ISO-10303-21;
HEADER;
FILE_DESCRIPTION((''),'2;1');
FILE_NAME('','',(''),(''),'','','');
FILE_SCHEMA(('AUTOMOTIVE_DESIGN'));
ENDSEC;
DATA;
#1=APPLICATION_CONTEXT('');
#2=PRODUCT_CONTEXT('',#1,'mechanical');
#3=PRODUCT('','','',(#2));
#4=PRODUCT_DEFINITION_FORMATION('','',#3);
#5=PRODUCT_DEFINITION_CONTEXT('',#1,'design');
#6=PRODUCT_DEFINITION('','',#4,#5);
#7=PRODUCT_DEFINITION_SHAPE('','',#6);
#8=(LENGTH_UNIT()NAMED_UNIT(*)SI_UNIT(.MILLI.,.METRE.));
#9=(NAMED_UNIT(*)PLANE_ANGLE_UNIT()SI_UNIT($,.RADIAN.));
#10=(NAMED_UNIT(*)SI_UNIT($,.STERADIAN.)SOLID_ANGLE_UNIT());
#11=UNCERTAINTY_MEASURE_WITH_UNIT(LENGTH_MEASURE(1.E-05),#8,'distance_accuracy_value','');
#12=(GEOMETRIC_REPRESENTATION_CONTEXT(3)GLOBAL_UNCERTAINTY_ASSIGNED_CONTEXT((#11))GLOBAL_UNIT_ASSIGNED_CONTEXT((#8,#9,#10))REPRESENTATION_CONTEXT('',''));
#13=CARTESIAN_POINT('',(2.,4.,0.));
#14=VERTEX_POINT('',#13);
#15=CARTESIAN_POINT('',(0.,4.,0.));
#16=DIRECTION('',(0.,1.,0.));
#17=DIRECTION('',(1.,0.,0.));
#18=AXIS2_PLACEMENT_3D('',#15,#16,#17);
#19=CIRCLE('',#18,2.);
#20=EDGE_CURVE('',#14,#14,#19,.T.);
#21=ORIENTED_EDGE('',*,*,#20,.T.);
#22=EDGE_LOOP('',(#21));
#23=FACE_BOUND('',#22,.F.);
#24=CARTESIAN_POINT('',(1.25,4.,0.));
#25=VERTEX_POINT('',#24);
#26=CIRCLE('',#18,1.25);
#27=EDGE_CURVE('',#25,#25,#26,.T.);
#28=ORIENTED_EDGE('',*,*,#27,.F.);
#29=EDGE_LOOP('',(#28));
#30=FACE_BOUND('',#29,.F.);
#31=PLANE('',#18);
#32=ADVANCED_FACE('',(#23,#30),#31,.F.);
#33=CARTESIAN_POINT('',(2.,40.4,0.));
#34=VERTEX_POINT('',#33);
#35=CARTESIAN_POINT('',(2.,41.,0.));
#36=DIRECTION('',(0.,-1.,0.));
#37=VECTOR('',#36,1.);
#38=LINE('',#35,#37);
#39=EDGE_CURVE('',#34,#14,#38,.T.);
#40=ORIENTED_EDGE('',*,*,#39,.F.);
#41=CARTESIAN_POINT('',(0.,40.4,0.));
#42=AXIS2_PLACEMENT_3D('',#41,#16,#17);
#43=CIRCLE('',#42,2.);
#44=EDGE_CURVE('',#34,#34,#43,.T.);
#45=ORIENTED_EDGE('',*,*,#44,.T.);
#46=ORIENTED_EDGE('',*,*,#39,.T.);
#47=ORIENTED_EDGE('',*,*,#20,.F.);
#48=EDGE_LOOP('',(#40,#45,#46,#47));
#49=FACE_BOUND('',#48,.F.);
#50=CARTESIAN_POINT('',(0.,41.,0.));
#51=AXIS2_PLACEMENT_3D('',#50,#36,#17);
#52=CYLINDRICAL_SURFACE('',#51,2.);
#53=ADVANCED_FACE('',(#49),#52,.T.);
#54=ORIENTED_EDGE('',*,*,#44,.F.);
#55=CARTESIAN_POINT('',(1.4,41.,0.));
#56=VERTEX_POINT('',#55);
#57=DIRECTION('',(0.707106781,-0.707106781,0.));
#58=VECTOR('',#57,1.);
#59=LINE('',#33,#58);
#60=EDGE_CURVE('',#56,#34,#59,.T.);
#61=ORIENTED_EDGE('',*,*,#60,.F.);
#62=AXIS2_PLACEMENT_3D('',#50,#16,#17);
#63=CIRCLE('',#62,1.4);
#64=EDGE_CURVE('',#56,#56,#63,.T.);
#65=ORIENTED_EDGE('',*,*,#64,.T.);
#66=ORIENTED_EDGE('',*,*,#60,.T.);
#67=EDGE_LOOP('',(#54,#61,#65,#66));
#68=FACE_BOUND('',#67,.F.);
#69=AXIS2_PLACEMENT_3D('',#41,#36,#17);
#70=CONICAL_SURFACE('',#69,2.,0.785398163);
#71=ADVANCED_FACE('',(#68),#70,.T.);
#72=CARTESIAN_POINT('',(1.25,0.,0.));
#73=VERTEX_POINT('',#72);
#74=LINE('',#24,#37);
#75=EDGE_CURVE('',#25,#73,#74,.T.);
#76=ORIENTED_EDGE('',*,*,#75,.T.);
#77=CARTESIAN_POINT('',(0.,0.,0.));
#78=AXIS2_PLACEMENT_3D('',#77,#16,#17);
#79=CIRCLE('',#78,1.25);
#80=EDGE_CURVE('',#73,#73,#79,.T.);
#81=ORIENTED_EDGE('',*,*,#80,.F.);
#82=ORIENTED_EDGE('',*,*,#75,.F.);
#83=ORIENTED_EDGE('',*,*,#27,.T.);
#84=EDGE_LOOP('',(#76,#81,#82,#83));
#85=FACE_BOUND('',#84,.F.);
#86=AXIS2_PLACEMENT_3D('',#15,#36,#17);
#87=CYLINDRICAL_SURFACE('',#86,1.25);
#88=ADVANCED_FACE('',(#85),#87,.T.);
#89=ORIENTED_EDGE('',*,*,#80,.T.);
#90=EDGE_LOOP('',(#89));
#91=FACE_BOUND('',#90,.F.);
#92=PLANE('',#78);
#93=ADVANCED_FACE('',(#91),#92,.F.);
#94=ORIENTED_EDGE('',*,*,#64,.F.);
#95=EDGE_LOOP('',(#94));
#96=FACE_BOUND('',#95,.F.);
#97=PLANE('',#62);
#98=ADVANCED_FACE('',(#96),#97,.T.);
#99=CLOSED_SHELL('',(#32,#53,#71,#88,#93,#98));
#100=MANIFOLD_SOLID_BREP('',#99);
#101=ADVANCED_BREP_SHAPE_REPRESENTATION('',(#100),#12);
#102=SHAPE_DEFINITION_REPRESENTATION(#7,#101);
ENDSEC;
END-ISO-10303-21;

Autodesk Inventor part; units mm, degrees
ref_plane "YZ Plane" through (0, 0, 0) normal (1, 0, 0) x (0, 1, 0)
ref_plane "XZ Plane" through (0, 0, 0) normal (0, 1, 0) x (-1, 0, 0)
ref_plane "XY Plane" through (0, 0, 0) normal (0, 0, 1) x (1, 0, 0)
sketch "Sketch1" plane through (0, 0, 0) normal (0, 0, 1) x (1, 0, 0)
  line L0 (0, 0) -> (0, 41)
  line L1 (0, 41) -> (2, 41)
  line L2 (2, 41) -> (2, 4)
  line L3 (2, 4) -> (1.25, 4)
  line L4 (1.25, 4) -> (1.25, 0)
  line L5 (1.25, 0) -> (0, 0)
  dimension "d0" = 41
  dimension "d1" = 4
  dimension "d2" = 4
  dimension "d3" = 2.5
revolve "Revolution1" add sketch "Sketch1" angle 360 about axis through (0, 0, 0) along (0, 1, 0)
thread "Thread1" size "M2.5x0.45" class "6g" standard "ISO Metric profile" full length
chamfer "Chamfer1" distance 0.6 angle 45 1 edges at (-2, 41, 0)
properties part number "07"
